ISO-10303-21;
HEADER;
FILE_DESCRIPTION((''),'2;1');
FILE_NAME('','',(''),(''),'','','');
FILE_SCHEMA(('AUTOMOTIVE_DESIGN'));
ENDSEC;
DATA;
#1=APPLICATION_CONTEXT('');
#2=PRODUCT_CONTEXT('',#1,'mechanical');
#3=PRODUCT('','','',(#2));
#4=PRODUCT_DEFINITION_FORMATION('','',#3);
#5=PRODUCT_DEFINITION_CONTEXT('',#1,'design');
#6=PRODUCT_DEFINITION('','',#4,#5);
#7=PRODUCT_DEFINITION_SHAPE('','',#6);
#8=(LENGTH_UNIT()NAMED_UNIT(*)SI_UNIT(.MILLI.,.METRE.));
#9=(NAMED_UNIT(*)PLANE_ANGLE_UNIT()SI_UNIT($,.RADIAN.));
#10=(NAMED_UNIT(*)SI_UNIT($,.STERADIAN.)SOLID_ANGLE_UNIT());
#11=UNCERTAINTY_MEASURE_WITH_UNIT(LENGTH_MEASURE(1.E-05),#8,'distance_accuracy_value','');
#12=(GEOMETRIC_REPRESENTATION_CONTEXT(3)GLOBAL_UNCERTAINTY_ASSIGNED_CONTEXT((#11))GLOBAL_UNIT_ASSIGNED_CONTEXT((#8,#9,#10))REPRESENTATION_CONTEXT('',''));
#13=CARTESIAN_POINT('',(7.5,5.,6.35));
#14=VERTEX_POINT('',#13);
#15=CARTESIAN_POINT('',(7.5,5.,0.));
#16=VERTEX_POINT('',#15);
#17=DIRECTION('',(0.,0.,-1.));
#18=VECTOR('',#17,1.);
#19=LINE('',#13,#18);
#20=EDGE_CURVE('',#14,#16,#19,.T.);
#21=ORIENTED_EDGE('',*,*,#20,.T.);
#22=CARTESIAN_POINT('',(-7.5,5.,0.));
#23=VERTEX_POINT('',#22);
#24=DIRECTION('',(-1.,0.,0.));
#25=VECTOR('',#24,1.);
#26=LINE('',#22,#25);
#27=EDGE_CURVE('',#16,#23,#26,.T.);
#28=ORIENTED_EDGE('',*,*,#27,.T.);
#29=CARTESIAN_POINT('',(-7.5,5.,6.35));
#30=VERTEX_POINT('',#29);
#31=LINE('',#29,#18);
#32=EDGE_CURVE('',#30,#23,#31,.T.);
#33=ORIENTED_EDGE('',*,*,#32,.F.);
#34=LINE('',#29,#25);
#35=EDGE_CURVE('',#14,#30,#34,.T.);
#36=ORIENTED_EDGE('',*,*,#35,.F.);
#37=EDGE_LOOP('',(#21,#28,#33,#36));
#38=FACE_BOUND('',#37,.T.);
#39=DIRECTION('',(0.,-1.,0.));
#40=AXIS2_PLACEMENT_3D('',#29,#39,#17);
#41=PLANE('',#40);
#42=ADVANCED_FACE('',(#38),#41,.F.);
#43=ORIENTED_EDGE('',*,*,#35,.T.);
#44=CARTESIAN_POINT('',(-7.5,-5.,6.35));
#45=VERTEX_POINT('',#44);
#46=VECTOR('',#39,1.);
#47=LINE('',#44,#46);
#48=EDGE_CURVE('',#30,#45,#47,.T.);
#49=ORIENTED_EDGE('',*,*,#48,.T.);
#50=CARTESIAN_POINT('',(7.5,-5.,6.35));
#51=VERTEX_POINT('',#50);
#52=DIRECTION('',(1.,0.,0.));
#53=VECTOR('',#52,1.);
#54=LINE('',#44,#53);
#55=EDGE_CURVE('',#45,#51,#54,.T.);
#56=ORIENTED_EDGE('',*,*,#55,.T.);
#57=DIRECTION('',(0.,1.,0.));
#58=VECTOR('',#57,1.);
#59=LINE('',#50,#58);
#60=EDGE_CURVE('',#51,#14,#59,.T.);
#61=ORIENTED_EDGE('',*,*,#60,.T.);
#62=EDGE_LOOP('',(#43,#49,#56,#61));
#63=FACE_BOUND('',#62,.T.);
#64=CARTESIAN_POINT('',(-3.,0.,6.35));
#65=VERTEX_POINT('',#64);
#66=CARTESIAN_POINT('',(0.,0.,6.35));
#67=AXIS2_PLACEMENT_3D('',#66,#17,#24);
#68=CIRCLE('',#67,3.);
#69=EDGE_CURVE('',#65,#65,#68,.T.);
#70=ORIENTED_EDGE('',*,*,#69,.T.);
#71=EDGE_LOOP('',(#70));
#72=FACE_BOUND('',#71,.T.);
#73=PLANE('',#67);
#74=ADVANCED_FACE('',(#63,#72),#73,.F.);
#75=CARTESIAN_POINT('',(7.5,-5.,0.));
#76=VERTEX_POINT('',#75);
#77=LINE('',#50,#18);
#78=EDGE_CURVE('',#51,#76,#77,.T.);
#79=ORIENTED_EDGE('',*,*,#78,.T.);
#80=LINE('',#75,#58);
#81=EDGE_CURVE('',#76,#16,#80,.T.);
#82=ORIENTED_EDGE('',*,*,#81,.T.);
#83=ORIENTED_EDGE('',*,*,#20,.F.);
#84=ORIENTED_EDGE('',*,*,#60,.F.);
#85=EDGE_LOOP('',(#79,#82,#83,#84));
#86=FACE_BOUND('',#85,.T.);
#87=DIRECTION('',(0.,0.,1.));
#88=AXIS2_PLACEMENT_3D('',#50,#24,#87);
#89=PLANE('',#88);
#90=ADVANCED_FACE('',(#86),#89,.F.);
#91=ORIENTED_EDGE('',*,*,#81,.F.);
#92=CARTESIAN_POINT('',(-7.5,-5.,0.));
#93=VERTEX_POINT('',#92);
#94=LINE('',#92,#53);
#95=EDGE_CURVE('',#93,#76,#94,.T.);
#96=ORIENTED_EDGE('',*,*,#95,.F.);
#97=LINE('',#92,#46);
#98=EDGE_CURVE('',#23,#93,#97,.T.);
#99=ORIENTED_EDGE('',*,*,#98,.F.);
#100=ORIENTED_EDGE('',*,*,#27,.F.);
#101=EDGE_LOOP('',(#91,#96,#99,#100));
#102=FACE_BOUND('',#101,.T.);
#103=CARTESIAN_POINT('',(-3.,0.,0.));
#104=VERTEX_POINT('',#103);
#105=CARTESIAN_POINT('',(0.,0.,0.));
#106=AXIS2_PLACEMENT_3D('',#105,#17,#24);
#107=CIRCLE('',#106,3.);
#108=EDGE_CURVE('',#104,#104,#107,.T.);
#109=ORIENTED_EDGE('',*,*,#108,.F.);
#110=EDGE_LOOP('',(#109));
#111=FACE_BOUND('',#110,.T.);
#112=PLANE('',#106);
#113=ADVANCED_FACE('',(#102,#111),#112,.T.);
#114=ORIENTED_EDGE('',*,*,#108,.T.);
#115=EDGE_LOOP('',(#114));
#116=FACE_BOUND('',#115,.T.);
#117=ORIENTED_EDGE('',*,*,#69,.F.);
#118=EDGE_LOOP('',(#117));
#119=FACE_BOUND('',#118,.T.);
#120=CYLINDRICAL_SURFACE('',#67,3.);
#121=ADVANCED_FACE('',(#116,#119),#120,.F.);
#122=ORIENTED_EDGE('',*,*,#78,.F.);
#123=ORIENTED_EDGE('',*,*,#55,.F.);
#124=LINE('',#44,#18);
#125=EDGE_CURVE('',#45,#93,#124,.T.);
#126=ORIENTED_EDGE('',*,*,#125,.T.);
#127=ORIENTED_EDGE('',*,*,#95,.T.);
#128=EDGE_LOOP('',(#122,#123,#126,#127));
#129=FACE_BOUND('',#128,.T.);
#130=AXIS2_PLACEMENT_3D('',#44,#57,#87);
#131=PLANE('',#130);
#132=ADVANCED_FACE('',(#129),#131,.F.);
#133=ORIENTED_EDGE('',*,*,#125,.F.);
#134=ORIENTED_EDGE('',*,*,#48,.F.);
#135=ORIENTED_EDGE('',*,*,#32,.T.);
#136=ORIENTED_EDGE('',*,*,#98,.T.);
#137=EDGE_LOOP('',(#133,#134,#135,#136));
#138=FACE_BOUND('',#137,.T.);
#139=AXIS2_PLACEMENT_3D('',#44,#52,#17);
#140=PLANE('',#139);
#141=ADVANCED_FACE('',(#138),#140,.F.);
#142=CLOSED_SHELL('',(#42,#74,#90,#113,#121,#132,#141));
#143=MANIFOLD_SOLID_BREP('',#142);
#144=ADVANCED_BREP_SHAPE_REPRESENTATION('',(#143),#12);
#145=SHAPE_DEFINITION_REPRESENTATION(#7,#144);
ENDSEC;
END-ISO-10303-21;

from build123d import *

# Parameters (mm, degrees)
SKETCH1_W           = 15
SKETCH1_H           = 10
BOSS_EXTRUDE1_DEPTH = 6.35
SKETCH2_R           = 3
CUT_EXTRUDE1_DEPTH  = 7.35


with BuildPart() as part:
    # Sketch1 → Boss-Extrude1 (new body)
    with BuildSketch(Plane.XY):
        Rectangle(SKETCH1_W, SKETCH1_H)
    extrude(amount=BOSS_EXTRUDE1_DEPTH)

    # Sketch2 → Cut-Extrude1 (cut, through all)
    with BuildSketch(Plane(origin=(0, 0, 0), x_dir=(-1, 0, 0), z_dir=(0, 0, -1))):
        Circle(SKETCH2_R)
    extrude(amount=-CUT_EXTRUDE1_DEPTH, mode=Mode.SUBTRACT)


solid = part.part
